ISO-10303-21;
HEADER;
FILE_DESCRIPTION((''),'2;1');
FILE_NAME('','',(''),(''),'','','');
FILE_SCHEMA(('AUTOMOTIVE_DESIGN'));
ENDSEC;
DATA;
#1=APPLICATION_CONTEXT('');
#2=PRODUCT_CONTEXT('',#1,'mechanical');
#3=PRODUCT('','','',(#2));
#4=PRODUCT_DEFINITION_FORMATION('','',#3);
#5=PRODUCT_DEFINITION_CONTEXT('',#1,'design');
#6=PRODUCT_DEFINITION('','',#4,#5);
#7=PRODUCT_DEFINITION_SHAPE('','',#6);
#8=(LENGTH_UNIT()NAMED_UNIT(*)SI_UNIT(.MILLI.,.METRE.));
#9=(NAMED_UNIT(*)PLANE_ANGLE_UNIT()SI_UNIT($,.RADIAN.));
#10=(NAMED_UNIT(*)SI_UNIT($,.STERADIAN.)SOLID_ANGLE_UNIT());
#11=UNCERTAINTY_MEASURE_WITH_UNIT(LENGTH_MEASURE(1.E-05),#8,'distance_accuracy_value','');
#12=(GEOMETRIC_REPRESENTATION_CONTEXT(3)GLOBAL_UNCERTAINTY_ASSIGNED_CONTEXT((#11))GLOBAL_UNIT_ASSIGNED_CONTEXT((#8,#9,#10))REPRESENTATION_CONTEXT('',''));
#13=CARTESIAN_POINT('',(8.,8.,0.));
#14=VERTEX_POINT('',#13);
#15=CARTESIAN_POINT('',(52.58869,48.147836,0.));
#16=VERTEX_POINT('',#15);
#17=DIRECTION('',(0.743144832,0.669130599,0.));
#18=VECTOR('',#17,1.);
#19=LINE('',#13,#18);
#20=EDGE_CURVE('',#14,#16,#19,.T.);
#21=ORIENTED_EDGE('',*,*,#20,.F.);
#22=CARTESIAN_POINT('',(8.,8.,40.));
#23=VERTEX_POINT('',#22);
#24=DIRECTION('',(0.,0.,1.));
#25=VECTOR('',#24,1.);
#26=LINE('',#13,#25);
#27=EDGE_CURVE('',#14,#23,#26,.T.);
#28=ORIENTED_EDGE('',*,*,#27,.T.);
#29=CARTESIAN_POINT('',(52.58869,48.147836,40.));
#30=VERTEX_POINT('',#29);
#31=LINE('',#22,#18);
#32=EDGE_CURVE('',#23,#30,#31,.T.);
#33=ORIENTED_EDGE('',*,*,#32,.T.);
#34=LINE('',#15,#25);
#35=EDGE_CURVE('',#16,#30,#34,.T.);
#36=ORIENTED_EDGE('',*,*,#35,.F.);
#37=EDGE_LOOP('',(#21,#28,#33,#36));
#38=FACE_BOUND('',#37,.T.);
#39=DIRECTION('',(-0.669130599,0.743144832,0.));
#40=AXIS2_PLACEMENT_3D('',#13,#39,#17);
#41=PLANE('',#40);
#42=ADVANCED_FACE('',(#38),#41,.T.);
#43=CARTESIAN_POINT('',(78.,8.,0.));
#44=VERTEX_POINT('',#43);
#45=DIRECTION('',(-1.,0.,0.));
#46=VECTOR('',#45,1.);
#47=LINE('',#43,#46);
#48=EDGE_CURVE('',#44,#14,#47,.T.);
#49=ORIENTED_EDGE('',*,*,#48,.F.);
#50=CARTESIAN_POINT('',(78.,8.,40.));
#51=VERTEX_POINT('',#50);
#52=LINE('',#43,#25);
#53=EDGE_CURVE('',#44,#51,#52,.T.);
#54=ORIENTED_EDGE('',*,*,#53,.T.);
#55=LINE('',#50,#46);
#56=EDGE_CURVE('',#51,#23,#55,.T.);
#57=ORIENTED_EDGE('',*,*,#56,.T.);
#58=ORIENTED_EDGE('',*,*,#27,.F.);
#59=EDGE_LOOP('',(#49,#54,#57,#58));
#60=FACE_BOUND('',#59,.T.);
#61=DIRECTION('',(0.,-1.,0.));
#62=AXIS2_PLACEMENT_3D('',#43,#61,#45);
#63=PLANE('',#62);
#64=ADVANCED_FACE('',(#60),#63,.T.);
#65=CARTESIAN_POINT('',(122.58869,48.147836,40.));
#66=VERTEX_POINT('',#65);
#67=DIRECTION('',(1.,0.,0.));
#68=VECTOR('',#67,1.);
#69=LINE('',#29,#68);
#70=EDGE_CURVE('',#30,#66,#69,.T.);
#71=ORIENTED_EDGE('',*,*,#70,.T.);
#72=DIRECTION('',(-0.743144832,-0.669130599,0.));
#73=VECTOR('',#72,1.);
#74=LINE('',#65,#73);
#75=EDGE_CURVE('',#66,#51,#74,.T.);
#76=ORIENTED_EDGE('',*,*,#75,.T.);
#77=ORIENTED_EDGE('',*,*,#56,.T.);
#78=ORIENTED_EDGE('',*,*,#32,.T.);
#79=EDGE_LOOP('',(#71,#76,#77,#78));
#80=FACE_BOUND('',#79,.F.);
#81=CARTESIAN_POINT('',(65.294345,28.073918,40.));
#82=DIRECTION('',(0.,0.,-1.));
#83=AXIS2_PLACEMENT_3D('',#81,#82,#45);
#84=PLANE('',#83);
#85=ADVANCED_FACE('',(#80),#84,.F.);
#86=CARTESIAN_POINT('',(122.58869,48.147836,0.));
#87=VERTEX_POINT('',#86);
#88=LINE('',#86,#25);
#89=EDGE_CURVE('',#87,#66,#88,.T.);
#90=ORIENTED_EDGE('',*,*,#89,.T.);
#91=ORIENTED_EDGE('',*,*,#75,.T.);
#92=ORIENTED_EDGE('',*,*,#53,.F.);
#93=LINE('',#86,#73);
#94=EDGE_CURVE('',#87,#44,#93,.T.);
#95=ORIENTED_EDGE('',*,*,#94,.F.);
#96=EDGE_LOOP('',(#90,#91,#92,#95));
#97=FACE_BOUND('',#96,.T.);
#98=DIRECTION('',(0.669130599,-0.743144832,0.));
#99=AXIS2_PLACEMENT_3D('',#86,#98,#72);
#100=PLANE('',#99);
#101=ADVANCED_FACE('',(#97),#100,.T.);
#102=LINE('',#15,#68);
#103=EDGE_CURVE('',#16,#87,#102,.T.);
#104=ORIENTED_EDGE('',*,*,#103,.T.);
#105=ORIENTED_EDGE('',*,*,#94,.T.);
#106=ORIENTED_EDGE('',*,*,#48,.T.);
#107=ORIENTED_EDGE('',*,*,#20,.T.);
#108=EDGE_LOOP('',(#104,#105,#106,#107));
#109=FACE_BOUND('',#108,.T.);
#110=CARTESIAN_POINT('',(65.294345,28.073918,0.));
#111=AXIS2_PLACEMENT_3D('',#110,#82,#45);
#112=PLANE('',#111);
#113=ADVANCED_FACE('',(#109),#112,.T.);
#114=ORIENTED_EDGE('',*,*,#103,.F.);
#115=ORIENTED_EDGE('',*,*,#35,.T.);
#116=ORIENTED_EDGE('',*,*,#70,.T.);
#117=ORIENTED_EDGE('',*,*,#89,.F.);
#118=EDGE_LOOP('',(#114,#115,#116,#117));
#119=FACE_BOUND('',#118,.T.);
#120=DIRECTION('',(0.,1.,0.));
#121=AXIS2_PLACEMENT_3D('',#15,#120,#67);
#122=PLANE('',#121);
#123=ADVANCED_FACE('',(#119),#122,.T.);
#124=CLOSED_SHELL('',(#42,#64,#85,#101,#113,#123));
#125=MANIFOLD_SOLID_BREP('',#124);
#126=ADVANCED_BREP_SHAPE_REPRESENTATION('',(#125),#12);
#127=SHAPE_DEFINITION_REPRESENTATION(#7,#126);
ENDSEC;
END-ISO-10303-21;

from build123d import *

# Parameters (mm, degrees)
PAD_DEPTH = 40


with BuildPart() as part:
    # Sketch → Pad (new body)
    with BuildSketch(Plane.XY):
        Polygon((52.58869, 48.147836), (122.58869, 48.147836), (78, 8), (8, 8), align=None)
    extrude(amount=PAD_DEPTH)


solid = part.part
